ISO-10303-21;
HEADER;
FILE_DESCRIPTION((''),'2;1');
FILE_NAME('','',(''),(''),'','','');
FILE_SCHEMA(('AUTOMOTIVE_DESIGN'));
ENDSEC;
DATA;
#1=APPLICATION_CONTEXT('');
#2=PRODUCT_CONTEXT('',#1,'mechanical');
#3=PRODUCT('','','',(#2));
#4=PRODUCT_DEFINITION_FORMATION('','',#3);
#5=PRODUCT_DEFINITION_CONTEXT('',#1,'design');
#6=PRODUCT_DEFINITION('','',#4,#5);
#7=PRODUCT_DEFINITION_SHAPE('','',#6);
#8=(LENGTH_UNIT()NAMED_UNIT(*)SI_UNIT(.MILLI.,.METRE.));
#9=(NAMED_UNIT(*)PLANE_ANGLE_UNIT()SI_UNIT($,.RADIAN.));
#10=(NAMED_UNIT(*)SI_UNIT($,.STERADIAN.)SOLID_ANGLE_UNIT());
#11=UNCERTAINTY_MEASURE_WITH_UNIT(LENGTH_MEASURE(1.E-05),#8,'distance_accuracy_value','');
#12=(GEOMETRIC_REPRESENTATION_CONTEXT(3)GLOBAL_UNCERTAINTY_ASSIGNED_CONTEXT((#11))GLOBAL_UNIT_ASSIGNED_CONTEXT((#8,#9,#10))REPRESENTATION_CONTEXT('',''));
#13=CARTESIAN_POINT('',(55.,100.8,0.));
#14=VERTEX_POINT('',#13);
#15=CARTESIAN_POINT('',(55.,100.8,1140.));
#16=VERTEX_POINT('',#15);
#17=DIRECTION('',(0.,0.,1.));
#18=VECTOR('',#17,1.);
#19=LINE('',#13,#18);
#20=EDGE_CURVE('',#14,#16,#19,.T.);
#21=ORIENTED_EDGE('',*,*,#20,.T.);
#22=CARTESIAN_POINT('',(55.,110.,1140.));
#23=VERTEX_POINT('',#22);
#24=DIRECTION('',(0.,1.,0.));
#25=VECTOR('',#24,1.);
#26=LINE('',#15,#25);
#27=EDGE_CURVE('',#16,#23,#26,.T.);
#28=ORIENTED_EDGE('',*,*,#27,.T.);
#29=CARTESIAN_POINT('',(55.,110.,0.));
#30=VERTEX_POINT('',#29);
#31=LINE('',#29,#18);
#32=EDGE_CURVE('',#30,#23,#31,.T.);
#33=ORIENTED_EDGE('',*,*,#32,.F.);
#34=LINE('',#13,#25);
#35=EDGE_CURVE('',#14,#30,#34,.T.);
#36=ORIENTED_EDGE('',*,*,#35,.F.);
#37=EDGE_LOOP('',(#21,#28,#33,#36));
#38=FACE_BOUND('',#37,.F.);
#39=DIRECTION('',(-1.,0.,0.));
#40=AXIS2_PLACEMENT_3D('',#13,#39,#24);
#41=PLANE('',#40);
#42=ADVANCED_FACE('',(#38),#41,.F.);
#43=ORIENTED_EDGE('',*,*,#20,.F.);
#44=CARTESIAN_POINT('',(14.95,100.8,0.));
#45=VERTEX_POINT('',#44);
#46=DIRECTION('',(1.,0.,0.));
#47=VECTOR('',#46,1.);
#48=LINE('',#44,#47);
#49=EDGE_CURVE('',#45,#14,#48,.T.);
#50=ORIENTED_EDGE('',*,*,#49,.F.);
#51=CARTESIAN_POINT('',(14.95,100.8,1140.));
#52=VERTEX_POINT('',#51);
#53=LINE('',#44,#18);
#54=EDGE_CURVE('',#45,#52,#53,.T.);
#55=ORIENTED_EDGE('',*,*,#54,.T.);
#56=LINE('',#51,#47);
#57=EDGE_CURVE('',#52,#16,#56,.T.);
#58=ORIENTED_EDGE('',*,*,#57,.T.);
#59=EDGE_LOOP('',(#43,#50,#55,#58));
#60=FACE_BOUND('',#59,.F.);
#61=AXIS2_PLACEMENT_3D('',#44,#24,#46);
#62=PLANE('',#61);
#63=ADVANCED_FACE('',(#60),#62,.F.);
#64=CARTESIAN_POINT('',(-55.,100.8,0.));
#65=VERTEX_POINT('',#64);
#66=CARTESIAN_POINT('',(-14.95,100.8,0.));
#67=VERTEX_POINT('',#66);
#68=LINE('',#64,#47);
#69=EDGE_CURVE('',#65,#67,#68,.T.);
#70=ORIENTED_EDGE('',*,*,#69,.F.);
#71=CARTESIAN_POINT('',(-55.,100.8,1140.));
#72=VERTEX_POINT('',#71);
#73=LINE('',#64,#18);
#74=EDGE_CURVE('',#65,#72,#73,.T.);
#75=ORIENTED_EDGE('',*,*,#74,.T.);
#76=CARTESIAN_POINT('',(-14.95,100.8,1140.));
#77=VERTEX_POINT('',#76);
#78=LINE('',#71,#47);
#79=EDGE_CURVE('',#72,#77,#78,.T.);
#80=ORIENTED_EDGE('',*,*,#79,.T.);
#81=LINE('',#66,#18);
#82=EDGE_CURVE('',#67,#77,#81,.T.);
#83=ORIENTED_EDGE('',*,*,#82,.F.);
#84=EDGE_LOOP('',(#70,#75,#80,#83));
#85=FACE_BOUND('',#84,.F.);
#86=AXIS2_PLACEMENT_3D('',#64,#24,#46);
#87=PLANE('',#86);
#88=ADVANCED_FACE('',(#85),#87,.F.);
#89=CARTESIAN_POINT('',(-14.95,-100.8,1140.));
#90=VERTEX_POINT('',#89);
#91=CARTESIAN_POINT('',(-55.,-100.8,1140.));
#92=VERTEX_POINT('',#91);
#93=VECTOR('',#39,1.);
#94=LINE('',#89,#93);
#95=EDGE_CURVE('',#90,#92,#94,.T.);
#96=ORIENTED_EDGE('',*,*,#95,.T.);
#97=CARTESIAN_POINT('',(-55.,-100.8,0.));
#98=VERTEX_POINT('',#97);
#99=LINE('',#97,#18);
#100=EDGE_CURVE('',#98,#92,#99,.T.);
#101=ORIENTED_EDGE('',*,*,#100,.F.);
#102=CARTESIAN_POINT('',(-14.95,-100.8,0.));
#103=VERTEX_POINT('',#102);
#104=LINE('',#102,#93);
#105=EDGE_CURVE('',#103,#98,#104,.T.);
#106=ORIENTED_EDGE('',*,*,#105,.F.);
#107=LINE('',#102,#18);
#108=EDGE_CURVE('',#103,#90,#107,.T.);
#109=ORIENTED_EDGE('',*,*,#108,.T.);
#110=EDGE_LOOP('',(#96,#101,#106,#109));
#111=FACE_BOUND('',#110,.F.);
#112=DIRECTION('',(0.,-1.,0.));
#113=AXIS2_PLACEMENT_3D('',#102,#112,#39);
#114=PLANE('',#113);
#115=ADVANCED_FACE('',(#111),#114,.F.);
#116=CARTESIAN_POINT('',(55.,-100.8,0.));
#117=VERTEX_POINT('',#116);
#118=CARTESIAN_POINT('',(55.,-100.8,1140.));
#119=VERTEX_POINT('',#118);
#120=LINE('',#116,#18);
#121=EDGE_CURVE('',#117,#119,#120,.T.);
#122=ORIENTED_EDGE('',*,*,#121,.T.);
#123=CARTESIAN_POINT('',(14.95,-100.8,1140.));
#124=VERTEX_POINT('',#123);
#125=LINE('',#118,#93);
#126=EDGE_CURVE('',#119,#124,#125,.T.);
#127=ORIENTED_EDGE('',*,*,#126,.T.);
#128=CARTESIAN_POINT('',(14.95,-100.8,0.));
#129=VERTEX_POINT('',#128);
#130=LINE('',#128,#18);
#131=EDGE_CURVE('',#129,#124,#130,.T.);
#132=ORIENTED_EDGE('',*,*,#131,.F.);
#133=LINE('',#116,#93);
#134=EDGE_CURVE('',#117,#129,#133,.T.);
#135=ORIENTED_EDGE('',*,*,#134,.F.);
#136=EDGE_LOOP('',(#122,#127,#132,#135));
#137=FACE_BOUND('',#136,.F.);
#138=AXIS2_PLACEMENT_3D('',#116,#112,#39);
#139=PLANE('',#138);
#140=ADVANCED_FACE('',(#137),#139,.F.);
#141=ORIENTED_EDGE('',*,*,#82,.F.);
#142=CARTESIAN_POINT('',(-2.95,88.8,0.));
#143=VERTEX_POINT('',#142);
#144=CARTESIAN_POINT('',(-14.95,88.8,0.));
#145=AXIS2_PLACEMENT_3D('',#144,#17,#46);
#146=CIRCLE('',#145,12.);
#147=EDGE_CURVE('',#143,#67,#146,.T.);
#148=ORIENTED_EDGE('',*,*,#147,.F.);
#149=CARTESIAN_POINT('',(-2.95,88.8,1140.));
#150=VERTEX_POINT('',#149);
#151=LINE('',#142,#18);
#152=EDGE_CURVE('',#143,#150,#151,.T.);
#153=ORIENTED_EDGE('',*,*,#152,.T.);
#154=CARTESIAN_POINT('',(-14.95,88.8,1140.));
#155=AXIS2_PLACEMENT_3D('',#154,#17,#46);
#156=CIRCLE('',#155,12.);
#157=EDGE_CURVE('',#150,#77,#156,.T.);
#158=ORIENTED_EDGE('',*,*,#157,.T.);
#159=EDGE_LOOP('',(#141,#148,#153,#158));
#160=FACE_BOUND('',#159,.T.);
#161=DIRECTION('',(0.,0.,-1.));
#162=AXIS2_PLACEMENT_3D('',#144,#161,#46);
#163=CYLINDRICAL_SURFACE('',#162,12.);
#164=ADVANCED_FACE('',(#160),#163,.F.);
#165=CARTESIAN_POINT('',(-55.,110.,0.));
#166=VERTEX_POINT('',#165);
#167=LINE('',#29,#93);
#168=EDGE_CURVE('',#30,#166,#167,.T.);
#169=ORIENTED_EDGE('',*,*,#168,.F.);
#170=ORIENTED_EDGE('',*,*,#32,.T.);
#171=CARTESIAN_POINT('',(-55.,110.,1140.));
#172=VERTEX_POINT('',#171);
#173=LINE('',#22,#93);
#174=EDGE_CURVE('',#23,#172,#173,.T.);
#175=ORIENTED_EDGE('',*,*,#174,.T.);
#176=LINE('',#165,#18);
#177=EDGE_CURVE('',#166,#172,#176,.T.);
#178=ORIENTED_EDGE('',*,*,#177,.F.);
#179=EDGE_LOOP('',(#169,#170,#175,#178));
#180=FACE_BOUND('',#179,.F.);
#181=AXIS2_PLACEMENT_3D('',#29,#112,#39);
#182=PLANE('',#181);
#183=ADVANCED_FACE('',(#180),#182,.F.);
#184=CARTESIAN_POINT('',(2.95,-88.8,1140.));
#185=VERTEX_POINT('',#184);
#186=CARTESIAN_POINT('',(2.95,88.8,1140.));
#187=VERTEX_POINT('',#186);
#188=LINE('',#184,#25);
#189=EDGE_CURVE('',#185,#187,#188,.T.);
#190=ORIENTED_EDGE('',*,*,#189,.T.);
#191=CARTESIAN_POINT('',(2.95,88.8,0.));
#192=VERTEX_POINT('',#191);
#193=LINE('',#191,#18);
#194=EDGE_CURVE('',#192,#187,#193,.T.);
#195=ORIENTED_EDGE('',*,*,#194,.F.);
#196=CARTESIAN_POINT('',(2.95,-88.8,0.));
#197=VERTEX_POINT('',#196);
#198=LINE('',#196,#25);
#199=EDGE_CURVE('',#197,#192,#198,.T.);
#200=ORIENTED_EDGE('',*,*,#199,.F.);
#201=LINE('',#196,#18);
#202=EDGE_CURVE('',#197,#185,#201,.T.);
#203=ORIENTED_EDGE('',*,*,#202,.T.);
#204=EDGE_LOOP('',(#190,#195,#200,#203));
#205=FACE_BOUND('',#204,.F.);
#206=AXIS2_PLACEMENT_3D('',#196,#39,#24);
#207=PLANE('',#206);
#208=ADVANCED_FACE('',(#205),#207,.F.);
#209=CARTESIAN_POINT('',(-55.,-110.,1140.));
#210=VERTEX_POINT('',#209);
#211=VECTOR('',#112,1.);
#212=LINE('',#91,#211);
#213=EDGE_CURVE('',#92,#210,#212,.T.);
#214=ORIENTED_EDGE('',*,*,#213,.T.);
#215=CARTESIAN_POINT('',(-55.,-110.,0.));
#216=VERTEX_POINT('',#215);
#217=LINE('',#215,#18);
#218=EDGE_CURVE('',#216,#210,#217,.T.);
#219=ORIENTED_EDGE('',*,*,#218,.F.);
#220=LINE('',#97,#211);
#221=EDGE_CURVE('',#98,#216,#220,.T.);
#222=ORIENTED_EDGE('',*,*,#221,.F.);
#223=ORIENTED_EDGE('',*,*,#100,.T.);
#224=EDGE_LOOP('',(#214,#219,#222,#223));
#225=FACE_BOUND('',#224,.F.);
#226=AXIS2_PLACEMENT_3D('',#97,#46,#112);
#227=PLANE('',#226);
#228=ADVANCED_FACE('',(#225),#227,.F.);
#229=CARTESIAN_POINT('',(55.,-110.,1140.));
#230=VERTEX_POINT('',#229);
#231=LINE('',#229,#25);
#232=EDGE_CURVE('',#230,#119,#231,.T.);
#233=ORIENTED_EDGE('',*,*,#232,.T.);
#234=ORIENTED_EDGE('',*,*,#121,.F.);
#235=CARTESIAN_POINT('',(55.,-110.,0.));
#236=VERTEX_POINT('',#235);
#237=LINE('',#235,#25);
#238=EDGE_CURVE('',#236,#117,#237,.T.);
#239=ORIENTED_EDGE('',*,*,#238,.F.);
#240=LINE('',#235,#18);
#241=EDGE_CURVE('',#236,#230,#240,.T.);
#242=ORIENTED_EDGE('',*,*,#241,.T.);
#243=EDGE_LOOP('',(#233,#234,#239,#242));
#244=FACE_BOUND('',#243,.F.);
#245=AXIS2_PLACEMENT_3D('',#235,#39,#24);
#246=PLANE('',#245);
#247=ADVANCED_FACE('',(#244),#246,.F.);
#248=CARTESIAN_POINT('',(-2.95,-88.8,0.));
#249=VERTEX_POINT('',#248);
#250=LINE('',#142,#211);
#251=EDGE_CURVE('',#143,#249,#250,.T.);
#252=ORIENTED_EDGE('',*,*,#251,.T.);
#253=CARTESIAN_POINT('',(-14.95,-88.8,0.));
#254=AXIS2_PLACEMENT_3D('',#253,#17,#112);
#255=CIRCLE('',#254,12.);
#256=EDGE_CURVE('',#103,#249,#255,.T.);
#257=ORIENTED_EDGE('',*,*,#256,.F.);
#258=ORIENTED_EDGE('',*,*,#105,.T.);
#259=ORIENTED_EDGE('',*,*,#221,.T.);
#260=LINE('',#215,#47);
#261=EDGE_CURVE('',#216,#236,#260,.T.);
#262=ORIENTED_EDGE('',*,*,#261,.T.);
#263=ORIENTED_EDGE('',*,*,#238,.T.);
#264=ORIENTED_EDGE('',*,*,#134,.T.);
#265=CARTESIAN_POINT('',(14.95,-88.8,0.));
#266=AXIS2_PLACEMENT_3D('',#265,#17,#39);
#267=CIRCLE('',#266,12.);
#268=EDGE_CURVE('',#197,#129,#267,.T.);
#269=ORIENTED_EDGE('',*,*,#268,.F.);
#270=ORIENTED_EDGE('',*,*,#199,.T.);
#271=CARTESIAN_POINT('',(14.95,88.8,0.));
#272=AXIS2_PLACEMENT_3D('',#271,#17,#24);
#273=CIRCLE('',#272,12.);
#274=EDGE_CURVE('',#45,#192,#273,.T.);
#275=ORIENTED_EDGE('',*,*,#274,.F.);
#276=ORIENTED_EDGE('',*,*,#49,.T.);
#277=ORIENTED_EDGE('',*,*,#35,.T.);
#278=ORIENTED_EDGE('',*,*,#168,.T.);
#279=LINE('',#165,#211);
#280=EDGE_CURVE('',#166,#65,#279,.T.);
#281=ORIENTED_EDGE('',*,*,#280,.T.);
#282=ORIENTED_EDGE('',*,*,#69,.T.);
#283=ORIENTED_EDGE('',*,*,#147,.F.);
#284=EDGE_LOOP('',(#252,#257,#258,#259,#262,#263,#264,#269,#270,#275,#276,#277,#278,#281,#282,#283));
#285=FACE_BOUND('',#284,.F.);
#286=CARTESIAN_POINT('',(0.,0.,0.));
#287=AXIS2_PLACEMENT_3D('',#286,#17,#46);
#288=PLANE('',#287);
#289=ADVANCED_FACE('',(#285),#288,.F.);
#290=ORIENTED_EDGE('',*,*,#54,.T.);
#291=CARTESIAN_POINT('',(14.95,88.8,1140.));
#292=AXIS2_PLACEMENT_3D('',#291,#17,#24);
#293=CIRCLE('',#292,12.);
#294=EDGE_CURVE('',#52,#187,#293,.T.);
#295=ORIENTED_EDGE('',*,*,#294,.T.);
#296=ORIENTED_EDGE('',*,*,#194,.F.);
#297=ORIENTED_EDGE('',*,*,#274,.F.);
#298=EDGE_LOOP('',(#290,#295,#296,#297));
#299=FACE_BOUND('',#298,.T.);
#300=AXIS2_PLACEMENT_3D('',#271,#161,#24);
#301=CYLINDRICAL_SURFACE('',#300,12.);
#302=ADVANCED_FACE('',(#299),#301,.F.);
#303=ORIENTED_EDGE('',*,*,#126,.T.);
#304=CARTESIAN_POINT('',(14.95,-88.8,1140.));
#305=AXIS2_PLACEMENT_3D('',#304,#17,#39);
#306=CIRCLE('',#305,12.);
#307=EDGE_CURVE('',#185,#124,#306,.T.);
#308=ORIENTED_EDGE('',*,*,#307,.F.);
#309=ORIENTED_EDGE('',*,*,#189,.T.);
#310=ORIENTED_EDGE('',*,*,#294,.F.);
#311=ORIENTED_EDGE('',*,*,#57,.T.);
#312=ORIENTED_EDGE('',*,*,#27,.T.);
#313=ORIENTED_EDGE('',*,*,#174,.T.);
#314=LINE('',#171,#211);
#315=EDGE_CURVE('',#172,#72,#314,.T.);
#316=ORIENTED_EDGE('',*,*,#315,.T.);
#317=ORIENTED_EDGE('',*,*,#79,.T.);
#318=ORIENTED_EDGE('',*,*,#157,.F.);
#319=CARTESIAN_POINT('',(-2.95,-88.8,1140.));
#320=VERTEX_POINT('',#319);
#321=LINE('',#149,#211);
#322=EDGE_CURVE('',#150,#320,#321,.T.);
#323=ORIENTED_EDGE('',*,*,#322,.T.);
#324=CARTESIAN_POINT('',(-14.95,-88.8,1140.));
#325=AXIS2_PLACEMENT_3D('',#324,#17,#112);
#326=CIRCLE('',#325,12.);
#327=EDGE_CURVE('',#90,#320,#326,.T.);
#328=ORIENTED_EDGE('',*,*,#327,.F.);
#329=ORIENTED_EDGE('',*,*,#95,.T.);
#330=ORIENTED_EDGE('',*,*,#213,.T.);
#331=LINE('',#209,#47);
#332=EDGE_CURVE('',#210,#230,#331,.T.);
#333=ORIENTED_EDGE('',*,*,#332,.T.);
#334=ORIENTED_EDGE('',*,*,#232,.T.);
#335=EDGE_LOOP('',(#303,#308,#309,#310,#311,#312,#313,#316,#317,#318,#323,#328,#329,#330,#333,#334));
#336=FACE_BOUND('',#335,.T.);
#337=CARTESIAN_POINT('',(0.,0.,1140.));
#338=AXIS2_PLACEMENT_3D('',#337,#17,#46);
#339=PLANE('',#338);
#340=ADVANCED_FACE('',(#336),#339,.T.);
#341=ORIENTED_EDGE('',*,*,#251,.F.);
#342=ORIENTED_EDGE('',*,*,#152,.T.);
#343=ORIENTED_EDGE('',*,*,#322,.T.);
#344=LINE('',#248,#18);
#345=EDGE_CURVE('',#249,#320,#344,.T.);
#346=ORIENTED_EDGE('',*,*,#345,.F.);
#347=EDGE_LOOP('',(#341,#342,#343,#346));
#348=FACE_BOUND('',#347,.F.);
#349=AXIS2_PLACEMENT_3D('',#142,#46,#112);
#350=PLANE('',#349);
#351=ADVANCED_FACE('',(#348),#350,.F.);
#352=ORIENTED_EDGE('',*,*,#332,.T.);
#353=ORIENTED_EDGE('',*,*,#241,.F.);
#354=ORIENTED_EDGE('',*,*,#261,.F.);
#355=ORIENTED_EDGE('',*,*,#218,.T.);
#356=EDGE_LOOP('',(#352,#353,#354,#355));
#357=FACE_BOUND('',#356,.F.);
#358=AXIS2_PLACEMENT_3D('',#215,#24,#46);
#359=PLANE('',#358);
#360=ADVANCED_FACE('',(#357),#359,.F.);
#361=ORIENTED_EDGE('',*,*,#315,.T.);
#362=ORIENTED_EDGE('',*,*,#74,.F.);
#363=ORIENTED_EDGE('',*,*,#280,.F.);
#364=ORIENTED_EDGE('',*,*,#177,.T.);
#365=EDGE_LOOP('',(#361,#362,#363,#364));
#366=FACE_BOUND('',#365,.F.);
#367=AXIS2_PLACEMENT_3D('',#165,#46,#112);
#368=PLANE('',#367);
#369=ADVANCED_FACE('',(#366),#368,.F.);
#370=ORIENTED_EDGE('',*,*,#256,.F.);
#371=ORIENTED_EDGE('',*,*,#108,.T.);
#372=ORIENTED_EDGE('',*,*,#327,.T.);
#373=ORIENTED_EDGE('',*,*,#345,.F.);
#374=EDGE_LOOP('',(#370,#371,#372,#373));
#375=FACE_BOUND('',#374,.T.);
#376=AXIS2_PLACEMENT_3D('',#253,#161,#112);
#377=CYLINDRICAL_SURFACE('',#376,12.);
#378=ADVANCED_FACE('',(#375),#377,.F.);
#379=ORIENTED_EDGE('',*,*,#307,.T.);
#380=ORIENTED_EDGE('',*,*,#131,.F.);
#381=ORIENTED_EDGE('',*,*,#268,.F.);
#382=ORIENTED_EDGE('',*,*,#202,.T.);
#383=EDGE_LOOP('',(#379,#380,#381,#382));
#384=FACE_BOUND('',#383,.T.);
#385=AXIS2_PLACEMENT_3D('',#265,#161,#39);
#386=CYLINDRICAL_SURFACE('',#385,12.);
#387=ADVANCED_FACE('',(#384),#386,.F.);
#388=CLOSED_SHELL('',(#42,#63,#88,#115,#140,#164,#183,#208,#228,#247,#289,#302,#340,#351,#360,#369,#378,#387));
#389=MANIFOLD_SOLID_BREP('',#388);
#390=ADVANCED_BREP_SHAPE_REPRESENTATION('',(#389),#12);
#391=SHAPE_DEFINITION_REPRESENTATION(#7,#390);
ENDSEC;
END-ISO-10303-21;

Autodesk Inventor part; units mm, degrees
ref_plane "Start plane" through (0, 0, 0) normal (0, 0, 1) x (1, 0, 0)
ref_plane "End plane" through (0, 0, 1140) normal (0, 0, 1) x (1, 0, 0)
sketch "Sketch2" plane through (0, 0, 0) normal (0, 0, 1) x (1, 0, 0)
  line L0 (-55, 100.8) -> (-14.95, 100.8)
  line L1 (-55, 110) -> (-55, 100.8)
  line L2 (55, 110) -> (-55, 110)
  line L3 (55, 100.8) -> (55, 110)
  line L4 (14.95, 100.8) -> (55, 100.8)
  line L5 (2.95, -88.8) -> (2.95, 88.8)
  line L6 (55, -100.8) -> (14.95, -100.8)
  line L7 (55, -110) -> (55, -100.8)
  line L8 (-55, -100.8) -> (-55, -110)
  line L9 (-14.95, -100.8) -> (-55, -100.8)
  line L10 (-2.95, 88.8) -> (-2.95, -88.8)
  line L11 (0, -154) -> (0, 154) construction
  line L12 (-2.95, -100.8) -> (2.95, -100.8) construction
  arc A0 (-14.95, -100.8) -> (-2.95, -88.8) centre (-14.95, -88.8) ccw
  arc A1 (-2.95, 88.8) -> (-14.95, 100.8) centre (-14.95, 88.8) ccw
  arc A2 (14.95, 100.8) -> (2.95, 88.8) centre (14.95, 88.8) ccw
  arc A3 (2.95, -88.8) -> (14.95, -100.8) centre (14.95, -88.8) ccw
  line L13 (-77, 0) -> (77, 0) construction
  line L14 (-55, -110) -> (55, -110)
  point P0 (-2.95, 100.8)
  point P1 (2.95, 100.8)
  point P2 (0, 0)
  point P3 (0, -100.8)
  point P4 (0, 0)
  dimension "d1" = 220
  dimension "d3" = 9.2
  dimension "d5" = 5.9
  dimension "d7" = 110
  dimension "d13" = 12
  dimension "d14" = 110
  dimension "d15" = 55
extrude "Body" add sketch "Sketch2" along normal up to surface (1140 mm away) from surface at 0
sketch "Sketch3" plane through (0, 0, 0) normal (0, 0, 1) x (1, 0, 0)
  line L0 (0, 0) -> (10, 0)
ref_plane "Work Plane3" through (0, 0, 0) normal (0, -1, 0) x (1, 0, 0)
ref_plane "Work Plane4" through (-85, 0, 1140) normal (0, 0, 1) x (1, 0, 0)
split "Split1" plane through (-85, 0, 1140) removes the side toward (0, 0, 1)
sketch "Sketch4" plane through (0, 0, 0) normal (0, -1, 0) x (1, 0, 0)
  line L0 (-2, 0) -> (12, 0) projected
  line L1 (-2, 1140) -> (12, 1140) projected
  dimension "d19" = 1140
equation "\"d1\" = ParH"
equation "\"d3\" = t2"
equation "\"d5\" = t1"
equation "\"d7\" = b"
equation "\"d13\" = R1"
equation "\"d14\" = 0.5 * d1"
equation "\"d15\" = 0.5 * d7"
equation "\"d8\" = G_L"
equation "\"b\" = 110"
equation "\"ParH\" = 220"
equation "\"R1\" = 12"
equation "\"G_L\" = d19"
equation "\"t1\" = 5.9"
equation "\"t2\" = 9.2"
equation "\"G_OFFSET_START\" = 0"
properties part number "DIN 1025 - IPE 220-1140" material "Steel, Mild"
